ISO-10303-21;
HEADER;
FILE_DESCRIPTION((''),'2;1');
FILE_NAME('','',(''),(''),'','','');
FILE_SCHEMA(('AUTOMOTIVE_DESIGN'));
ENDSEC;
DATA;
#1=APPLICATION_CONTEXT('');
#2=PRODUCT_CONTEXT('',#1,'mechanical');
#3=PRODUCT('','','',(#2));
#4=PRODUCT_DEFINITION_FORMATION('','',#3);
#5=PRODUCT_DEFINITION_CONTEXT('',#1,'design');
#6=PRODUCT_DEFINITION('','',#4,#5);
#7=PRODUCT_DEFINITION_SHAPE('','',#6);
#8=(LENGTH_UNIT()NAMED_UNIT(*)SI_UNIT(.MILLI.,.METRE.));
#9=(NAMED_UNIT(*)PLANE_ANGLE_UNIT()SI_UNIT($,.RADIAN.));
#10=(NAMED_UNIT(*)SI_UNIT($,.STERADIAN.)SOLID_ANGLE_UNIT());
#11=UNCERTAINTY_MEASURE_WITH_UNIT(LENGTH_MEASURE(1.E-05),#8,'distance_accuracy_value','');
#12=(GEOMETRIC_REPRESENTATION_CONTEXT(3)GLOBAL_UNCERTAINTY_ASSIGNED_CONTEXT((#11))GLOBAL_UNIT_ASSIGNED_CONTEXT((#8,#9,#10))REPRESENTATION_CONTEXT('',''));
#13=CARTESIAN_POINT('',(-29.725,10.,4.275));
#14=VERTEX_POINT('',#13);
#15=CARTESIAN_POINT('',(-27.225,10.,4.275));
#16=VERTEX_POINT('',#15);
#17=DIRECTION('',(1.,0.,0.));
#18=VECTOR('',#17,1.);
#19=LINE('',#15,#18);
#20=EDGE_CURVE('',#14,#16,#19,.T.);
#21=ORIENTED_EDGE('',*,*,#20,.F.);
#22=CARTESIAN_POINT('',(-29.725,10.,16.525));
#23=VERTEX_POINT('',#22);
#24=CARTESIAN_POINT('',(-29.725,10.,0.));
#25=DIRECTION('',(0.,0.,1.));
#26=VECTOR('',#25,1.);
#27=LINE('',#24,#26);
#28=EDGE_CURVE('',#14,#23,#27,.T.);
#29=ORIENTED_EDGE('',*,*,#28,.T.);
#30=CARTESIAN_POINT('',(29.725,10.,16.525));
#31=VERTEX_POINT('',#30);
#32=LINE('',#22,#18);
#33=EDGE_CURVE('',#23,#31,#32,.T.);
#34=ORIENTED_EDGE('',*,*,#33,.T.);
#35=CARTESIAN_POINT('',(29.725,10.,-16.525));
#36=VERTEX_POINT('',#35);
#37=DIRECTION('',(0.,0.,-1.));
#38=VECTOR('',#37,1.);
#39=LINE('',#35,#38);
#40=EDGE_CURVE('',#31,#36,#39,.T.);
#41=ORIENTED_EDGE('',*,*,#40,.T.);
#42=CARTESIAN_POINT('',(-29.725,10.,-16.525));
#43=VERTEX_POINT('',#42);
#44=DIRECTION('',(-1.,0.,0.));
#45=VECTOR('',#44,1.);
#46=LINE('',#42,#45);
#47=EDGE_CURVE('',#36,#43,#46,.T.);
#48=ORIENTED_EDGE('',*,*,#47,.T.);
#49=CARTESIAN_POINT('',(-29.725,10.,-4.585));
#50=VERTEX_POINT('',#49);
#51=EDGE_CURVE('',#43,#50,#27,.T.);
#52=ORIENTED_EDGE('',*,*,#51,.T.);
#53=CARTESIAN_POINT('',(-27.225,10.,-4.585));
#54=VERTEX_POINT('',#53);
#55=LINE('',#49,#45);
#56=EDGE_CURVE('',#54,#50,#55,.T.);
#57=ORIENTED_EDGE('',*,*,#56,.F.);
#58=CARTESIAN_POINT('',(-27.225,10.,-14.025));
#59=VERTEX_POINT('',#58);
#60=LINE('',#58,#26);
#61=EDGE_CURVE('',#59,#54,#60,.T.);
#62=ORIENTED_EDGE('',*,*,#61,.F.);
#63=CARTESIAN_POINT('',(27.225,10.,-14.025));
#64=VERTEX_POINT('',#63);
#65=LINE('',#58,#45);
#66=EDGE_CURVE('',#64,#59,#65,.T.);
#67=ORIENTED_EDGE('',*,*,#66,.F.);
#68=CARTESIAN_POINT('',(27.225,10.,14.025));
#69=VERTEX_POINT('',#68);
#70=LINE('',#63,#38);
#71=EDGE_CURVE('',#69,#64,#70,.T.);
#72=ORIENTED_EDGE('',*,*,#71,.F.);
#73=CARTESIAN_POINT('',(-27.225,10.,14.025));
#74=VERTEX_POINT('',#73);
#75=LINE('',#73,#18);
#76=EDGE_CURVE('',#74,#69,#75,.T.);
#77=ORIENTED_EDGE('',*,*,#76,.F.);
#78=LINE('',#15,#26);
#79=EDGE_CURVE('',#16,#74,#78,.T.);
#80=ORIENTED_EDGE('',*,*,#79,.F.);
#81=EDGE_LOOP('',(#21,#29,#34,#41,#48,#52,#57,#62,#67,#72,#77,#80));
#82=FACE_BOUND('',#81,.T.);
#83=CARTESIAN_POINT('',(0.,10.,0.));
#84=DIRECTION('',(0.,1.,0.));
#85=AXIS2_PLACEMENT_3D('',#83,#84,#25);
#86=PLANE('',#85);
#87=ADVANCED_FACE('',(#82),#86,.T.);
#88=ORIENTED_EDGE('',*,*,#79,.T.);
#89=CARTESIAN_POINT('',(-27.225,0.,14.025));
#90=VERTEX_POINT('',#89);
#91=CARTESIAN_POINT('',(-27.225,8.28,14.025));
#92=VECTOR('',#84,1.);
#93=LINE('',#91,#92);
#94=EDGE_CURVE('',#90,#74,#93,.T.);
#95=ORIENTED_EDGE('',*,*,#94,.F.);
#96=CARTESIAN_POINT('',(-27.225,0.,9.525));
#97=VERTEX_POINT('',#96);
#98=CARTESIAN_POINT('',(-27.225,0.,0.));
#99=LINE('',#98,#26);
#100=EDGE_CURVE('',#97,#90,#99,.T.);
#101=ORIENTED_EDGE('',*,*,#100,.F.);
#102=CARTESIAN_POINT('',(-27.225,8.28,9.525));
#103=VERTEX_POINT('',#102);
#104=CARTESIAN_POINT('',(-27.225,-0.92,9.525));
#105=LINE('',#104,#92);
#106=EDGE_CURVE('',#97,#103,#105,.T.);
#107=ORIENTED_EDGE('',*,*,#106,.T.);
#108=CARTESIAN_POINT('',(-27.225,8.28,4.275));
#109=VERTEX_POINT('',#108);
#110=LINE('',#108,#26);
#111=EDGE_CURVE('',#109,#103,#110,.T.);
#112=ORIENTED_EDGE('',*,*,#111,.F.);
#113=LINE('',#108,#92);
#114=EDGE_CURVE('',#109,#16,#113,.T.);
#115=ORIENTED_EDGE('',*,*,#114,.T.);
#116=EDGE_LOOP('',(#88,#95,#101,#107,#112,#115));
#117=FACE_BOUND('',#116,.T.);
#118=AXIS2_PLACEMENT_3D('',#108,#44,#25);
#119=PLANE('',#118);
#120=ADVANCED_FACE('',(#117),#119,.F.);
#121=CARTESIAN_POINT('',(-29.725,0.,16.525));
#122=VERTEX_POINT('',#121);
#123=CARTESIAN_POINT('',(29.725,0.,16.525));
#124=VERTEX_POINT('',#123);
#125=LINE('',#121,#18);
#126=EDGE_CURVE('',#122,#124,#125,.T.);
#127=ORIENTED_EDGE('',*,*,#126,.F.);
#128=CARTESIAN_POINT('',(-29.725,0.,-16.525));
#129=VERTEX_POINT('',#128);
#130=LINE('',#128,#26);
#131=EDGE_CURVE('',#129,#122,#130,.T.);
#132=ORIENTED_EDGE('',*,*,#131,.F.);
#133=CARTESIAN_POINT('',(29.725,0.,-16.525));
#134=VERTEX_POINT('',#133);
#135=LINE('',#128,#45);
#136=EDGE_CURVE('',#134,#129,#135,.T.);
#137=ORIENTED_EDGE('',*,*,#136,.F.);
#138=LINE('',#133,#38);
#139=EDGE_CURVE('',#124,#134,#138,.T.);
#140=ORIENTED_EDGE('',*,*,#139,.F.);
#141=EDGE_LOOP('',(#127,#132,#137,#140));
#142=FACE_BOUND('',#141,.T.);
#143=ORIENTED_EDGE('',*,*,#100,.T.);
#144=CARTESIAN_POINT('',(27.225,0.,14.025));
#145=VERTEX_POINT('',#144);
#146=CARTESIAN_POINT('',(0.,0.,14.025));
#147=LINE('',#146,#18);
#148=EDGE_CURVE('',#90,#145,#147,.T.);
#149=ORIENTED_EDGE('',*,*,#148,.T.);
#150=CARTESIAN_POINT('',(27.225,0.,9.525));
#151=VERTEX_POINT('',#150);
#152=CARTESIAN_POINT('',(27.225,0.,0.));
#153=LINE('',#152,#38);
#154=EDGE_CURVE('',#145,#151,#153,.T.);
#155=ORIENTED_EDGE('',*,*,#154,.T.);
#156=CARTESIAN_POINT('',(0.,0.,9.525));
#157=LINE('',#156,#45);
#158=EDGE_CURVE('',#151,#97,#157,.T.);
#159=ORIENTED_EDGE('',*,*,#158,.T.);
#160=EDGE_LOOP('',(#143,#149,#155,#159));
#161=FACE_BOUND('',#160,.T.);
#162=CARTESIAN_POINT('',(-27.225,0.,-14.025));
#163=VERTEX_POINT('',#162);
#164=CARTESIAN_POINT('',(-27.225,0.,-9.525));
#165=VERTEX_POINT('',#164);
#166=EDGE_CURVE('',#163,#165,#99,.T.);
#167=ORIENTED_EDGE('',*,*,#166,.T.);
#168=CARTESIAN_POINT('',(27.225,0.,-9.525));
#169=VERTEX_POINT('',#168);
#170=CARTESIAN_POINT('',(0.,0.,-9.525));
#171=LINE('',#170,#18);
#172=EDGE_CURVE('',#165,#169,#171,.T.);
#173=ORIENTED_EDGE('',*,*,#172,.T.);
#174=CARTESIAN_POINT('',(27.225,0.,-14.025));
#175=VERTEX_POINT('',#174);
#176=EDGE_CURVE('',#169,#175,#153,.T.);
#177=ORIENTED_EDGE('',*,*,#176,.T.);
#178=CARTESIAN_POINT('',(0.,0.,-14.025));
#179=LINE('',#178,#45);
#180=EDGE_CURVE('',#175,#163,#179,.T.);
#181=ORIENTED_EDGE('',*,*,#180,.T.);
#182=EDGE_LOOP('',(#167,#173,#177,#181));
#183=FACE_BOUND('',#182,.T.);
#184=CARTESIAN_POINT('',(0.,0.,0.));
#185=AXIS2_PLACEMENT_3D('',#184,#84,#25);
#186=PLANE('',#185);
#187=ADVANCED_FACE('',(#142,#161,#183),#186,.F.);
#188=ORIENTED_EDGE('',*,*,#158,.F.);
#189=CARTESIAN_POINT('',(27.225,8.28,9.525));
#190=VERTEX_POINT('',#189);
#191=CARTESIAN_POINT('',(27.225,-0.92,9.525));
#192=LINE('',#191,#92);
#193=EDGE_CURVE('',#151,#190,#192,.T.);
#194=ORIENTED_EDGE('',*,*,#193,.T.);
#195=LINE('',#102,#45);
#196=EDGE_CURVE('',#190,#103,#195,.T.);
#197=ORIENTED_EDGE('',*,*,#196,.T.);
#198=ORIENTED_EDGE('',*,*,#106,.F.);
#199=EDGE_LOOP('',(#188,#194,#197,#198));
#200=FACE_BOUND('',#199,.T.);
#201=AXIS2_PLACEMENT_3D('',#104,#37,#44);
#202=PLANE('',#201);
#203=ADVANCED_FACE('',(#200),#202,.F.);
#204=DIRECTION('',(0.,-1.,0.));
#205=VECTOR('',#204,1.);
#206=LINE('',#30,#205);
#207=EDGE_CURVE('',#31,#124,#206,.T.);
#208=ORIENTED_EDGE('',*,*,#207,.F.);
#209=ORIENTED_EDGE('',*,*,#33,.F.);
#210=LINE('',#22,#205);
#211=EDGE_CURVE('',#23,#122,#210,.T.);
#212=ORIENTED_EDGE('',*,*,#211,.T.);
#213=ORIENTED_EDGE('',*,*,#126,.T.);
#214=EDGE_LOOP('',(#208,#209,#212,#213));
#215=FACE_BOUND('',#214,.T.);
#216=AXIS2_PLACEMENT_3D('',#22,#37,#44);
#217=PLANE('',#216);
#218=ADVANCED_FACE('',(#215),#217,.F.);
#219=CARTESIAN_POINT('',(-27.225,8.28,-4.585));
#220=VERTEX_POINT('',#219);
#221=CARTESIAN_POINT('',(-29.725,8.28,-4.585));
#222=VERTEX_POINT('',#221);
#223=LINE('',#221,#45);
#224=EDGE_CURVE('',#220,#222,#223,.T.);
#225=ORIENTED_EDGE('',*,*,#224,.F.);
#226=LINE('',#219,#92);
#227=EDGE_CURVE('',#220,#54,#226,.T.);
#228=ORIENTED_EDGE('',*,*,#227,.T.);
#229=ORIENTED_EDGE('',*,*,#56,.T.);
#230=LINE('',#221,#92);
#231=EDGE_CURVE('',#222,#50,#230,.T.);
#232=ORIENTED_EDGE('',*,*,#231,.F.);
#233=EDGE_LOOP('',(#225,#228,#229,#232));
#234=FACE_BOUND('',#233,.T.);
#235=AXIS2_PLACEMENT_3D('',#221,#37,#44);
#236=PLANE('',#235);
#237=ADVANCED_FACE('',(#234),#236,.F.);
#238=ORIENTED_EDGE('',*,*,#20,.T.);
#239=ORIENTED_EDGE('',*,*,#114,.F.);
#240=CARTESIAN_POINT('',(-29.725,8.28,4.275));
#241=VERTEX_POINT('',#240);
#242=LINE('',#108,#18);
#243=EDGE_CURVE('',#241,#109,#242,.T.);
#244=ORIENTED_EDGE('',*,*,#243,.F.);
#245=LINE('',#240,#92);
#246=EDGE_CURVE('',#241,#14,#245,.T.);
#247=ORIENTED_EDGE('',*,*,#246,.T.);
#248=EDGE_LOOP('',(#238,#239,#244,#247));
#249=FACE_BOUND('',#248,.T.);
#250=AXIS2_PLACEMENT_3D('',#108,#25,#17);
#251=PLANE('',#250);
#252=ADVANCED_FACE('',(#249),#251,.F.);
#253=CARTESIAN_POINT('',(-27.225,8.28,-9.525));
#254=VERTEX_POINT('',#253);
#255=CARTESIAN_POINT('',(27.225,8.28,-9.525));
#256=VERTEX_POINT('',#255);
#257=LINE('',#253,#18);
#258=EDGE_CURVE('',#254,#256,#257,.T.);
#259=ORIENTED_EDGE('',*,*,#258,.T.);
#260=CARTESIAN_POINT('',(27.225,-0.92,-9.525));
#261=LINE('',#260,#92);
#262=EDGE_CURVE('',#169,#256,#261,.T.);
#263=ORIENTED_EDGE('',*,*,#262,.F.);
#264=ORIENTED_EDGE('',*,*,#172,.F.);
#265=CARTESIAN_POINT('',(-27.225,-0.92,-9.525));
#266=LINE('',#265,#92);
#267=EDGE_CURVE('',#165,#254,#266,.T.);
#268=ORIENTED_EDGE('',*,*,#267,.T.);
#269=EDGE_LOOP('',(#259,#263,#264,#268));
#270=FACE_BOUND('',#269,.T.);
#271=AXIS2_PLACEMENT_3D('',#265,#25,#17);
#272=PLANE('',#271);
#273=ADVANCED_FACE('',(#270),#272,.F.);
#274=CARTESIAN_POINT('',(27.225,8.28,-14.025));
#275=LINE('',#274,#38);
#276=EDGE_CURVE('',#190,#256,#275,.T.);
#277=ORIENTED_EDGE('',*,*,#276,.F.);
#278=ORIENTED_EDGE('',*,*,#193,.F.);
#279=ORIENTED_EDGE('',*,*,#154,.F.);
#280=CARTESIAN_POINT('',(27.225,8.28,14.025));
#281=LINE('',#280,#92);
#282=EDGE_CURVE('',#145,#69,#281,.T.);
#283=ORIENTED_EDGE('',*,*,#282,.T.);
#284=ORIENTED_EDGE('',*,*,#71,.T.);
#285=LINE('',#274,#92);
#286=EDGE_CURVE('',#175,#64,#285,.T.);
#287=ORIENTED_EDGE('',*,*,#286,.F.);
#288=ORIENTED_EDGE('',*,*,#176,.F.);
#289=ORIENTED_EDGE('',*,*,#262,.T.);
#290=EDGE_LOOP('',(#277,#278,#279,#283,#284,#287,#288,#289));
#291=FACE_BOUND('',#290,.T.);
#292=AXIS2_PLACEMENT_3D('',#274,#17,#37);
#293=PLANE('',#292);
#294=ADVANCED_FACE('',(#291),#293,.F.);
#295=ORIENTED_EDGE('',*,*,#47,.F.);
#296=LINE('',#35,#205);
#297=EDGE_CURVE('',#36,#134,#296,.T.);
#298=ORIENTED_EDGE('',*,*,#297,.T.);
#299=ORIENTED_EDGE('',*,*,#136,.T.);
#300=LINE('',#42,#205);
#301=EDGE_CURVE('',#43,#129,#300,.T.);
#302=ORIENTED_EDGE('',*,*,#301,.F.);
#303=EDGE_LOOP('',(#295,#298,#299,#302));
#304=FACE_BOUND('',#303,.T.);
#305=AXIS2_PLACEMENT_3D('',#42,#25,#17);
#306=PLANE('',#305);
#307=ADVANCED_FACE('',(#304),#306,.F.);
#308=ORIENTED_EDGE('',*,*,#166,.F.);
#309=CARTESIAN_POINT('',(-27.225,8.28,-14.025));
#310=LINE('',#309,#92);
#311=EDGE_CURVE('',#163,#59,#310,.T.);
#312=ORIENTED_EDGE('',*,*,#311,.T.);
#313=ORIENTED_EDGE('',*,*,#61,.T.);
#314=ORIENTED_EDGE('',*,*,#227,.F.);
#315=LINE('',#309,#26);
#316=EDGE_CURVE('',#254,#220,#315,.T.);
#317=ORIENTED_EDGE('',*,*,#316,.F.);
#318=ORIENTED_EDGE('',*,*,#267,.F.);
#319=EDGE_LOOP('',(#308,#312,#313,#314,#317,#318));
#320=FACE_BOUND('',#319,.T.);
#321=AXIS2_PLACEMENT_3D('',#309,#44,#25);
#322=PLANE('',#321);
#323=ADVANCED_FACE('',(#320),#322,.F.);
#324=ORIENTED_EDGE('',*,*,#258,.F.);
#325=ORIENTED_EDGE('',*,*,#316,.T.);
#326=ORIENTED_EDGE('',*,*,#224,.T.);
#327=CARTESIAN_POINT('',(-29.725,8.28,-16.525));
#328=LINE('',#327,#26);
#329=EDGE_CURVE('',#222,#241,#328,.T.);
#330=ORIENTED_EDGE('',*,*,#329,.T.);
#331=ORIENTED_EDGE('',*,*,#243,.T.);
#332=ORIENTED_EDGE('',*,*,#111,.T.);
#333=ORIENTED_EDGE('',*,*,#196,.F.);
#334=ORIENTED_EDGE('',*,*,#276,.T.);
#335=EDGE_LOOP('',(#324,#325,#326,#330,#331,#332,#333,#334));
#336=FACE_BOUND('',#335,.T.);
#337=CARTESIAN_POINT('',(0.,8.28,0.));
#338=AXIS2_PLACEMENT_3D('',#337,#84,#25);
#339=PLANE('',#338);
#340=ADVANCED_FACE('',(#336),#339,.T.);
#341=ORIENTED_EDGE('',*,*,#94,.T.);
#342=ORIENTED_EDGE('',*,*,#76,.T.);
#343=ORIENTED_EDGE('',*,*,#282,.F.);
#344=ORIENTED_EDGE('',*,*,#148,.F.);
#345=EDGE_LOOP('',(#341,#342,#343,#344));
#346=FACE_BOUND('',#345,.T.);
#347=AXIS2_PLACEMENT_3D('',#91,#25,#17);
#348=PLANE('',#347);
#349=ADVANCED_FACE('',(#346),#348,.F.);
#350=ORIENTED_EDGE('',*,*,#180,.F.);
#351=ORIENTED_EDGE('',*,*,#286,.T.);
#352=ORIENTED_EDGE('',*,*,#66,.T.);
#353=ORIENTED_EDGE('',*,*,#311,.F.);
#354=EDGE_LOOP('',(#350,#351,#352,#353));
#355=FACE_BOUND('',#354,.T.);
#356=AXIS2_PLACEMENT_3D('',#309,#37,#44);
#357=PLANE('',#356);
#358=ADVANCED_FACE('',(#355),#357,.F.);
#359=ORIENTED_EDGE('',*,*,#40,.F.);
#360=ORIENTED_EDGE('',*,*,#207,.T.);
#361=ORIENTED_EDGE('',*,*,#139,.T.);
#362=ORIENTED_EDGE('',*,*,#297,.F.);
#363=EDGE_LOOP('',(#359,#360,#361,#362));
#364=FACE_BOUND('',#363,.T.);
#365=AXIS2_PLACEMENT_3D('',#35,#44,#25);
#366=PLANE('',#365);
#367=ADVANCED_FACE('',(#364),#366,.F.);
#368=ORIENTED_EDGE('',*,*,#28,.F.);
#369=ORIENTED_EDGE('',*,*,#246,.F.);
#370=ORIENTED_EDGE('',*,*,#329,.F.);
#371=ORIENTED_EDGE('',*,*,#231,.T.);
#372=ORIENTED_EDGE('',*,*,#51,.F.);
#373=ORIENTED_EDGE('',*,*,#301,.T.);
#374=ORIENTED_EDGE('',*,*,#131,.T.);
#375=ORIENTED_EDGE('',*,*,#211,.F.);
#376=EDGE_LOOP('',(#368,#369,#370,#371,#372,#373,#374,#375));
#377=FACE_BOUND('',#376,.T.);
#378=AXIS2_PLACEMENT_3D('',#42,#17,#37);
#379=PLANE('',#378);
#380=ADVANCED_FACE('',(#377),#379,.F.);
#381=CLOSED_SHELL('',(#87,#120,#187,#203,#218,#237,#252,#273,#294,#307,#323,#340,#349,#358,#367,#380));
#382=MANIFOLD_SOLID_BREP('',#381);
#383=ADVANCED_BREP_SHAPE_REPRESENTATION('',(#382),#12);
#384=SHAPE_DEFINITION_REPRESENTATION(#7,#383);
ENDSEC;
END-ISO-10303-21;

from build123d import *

# Parameters (mm, degrees)
SKETCH1_W           = 59.45
SKETCH1_H           = 33.05
BOSS_EXTRUDE1_DEPTH = 10
CUT_EXTRUDE1_DEPTH  = 1.72
SKETCH3_W           = 54.45
SKETCH3_H           = 4.5
CUT_EXTRUDE2_DEPTH  = 9.2


with BuildPart() as part:
    # Sketch1 → Boss-Extrude1 (new body)
    with BuildSketch(Plane(origin=(0, 0, 0), x_dir=(1, 0, 0), z_dir=(0, 1, 0))):
        Rectangle(SKETCH1_W, SKETCH1_H)
    extrude(amount=BOSS_EXTRUDE1_DEPTH)

    # Sketch2 → Cut-Extrude1 (cut)
    with BuildSketch(Plane(origin=(0, 10, 0), x_dir=(1, 0, 0), z_dir=(0, 1, 0))):
        Polygon((-27.225, -4.275), (-29.72540031, -4.275), (-29.725, 4.584999991), (-27.225, 4.584999991), (-27.225, 14.025), (27.225, 14.025), (27.225, -14.025), (-27.225, -14.025), align=None)
    extrude(amount=-CUT_EXTRUDE1_DEPTH, mode=Mode.SUBTRACT)

    # Sketch3 → Cut-Extrude2 (cut)
    with BuildSketch(Plane(origin=(0, 8.28, 0), x_dir=(1, 0, 0), z_dir=(0, 1, 0))):
        with Locations((0, 11.775)):
            Rectangle(SKETCH3_W, SKETCH3_H)
        with Locations((0, -11.775)):
            Rectangle(SKETCH3_W, SKETCH3_H)
    extrude(amount=-CUT_EXTRUDE2_DEPTH, mode=Mode.SUBTRACT)


solid = part.part
